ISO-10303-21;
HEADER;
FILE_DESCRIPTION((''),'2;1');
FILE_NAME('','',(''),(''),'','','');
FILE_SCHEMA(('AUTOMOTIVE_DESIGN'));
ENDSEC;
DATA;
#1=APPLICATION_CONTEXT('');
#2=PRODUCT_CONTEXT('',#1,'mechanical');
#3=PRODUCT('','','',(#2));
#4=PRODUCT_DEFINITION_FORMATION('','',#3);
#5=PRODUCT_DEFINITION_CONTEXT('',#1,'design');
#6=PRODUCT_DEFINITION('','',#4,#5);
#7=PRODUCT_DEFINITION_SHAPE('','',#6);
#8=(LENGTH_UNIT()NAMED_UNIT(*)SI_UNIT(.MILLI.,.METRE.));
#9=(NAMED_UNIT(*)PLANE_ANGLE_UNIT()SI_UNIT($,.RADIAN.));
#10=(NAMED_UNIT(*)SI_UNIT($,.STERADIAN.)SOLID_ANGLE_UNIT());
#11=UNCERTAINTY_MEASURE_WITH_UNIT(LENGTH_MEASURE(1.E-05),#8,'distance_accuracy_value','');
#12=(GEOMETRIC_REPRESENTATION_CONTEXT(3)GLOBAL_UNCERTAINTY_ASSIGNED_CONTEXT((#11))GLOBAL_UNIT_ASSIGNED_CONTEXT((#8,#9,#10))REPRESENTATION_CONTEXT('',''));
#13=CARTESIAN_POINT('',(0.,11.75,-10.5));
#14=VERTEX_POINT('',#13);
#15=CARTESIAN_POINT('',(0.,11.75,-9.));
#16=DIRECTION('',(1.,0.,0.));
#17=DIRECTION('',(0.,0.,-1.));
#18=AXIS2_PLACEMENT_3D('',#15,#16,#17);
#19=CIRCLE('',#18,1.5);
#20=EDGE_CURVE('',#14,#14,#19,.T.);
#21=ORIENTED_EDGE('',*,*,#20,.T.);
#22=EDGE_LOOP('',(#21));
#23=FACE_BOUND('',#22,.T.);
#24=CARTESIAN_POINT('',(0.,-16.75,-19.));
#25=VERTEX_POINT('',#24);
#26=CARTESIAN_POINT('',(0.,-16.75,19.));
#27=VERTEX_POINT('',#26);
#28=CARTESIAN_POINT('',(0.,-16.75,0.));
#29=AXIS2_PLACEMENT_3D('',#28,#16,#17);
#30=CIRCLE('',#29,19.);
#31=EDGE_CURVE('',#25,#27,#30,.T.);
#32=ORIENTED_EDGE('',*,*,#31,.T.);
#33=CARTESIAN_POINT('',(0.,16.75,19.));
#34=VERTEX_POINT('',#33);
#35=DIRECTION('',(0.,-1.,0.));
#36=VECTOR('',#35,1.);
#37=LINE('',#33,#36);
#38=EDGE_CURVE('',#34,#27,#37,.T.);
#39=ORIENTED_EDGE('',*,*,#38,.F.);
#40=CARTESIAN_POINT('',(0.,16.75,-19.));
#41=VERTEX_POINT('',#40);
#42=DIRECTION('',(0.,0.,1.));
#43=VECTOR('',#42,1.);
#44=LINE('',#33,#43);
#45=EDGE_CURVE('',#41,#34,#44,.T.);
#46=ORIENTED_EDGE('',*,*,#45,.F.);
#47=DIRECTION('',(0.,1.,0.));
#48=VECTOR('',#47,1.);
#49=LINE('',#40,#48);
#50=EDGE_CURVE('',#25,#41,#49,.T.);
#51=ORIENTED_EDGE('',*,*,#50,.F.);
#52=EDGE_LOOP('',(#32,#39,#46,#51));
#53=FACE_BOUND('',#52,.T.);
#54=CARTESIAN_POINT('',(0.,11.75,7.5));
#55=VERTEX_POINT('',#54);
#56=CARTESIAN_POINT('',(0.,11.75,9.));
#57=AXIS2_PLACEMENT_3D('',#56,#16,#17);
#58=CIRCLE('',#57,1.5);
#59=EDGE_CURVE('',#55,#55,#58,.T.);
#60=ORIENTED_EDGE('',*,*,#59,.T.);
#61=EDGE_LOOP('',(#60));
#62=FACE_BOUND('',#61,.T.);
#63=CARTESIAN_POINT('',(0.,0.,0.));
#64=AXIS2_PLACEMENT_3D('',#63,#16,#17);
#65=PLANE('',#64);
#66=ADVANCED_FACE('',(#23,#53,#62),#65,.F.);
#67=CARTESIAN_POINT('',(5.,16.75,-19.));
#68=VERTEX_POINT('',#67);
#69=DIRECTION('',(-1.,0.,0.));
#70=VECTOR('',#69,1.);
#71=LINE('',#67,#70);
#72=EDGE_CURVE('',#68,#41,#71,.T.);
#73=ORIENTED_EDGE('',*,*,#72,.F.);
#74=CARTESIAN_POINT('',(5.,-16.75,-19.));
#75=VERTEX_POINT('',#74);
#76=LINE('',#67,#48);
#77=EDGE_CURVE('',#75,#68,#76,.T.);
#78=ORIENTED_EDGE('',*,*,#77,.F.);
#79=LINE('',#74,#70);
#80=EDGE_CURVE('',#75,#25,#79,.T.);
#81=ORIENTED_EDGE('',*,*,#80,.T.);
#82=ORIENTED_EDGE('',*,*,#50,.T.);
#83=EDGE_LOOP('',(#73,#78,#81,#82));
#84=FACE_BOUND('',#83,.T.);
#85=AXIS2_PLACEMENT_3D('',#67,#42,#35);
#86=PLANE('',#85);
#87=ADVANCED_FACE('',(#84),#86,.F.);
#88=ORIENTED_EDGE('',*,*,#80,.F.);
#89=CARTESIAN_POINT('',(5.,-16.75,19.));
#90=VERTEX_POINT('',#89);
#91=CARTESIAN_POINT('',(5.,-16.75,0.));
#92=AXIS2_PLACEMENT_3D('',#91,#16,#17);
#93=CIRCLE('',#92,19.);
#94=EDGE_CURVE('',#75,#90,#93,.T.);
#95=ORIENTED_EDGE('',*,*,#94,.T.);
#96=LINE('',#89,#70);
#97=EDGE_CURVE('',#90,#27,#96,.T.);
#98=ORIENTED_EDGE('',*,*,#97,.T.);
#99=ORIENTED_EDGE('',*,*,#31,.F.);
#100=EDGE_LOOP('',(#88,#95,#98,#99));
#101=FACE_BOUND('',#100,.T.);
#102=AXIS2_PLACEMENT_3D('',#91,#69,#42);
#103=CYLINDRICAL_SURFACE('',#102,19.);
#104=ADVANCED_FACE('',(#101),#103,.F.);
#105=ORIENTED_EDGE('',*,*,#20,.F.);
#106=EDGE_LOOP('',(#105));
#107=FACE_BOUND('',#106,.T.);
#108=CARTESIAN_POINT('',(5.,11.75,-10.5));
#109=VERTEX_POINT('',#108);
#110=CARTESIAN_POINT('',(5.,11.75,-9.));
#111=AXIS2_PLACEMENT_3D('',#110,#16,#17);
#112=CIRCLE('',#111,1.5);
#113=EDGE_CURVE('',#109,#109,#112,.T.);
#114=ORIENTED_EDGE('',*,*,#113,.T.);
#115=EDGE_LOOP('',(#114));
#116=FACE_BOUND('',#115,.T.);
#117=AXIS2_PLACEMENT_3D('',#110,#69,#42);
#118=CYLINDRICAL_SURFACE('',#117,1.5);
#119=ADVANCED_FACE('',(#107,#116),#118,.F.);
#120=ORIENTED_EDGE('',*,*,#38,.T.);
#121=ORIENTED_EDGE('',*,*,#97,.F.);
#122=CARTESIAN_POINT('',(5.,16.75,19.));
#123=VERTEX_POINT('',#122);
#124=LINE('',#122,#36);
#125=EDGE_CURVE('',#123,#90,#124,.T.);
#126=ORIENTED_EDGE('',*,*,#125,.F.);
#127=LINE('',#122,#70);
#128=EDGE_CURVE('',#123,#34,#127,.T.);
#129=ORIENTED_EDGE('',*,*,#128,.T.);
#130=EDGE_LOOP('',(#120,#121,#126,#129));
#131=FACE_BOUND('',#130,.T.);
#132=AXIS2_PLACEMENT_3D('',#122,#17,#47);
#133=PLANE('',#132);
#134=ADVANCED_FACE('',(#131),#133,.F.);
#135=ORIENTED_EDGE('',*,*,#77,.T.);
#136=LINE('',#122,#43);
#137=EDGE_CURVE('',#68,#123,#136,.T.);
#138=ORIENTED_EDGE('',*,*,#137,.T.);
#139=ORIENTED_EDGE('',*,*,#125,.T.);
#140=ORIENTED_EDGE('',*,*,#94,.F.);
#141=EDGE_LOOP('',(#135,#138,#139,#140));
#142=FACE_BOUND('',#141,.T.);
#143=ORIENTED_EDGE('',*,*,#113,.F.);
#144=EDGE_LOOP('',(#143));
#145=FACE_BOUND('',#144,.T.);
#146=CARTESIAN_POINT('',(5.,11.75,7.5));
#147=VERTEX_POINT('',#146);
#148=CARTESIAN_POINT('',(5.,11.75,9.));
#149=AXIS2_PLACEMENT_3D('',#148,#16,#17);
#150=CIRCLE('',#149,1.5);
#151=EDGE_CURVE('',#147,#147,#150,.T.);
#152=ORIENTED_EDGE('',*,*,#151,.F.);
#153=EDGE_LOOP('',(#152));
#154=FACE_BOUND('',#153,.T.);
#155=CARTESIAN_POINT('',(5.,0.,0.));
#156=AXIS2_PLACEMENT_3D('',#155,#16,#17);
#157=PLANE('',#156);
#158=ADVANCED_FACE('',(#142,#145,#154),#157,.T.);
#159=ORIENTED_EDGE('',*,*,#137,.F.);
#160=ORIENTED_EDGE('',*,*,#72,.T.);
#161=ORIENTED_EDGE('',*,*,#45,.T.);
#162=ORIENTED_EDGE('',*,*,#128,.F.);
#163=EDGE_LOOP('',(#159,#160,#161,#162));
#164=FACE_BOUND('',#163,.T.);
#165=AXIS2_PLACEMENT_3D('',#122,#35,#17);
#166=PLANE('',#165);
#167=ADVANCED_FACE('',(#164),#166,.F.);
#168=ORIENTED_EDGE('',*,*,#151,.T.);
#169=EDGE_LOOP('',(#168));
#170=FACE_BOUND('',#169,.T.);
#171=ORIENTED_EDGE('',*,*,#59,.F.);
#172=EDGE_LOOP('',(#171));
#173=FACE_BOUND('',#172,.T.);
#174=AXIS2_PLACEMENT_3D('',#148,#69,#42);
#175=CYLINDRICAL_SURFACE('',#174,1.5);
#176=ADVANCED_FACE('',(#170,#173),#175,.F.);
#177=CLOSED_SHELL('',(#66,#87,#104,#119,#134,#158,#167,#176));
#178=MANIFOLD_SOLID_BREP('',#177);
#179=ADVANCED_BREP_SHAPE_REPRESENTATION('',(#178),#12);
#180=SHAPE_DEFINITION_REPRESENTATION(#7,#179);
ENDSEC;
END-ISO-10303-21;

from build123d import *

# Parameters (mm, degrees)
SCHIZZO1_W                   = 38
SCHIZZO1_H                   = 33.5
ESTRUSIONE_ESTRUSIONE1_DEPTH = 5
SCHIZZO2_R                   = 19
SCHIZZO2_R_2                 = 1.5
TAGLIO_ESTRUSIONE1_DEPTH     = 6


with BuildPart() as part:
    # Schizzo1 → Estrusione-Estrusione1 (new body)
    with BuildSketch(Plane(origin=(0, 0, 0), x_dir=(0, 0, -1), z_dir=(1, 0, 0))):
        Rectangle(SCHIZZO1_W, SCHIZZO1_H)
    extrude(amount=ESTRUSIONE_ESTRUSIONE1_DEPTH)

    # Schizzo2 → Taglio-Estrusione1 (cut, through all)
    with BuildSketch(Plane(origin=(0, 0, 0), x_dir=(0, 0, -1), z_dir=(1, 0, 0))):
        with Locations((0, -16.75)):
            Circle(SCHIZZO2_R)
        with Locations((-9, 11.75)):
            Circle(SCHIZZO2_R_2)
        with Locations((9, 11.75)):
            Circle(SCHIZZO2_R_2)
    extrude(amount=TAGLIO_ESTRUSIONE1_DEPTH, mode=Mode.SUBTRACT)


solid = part.part
